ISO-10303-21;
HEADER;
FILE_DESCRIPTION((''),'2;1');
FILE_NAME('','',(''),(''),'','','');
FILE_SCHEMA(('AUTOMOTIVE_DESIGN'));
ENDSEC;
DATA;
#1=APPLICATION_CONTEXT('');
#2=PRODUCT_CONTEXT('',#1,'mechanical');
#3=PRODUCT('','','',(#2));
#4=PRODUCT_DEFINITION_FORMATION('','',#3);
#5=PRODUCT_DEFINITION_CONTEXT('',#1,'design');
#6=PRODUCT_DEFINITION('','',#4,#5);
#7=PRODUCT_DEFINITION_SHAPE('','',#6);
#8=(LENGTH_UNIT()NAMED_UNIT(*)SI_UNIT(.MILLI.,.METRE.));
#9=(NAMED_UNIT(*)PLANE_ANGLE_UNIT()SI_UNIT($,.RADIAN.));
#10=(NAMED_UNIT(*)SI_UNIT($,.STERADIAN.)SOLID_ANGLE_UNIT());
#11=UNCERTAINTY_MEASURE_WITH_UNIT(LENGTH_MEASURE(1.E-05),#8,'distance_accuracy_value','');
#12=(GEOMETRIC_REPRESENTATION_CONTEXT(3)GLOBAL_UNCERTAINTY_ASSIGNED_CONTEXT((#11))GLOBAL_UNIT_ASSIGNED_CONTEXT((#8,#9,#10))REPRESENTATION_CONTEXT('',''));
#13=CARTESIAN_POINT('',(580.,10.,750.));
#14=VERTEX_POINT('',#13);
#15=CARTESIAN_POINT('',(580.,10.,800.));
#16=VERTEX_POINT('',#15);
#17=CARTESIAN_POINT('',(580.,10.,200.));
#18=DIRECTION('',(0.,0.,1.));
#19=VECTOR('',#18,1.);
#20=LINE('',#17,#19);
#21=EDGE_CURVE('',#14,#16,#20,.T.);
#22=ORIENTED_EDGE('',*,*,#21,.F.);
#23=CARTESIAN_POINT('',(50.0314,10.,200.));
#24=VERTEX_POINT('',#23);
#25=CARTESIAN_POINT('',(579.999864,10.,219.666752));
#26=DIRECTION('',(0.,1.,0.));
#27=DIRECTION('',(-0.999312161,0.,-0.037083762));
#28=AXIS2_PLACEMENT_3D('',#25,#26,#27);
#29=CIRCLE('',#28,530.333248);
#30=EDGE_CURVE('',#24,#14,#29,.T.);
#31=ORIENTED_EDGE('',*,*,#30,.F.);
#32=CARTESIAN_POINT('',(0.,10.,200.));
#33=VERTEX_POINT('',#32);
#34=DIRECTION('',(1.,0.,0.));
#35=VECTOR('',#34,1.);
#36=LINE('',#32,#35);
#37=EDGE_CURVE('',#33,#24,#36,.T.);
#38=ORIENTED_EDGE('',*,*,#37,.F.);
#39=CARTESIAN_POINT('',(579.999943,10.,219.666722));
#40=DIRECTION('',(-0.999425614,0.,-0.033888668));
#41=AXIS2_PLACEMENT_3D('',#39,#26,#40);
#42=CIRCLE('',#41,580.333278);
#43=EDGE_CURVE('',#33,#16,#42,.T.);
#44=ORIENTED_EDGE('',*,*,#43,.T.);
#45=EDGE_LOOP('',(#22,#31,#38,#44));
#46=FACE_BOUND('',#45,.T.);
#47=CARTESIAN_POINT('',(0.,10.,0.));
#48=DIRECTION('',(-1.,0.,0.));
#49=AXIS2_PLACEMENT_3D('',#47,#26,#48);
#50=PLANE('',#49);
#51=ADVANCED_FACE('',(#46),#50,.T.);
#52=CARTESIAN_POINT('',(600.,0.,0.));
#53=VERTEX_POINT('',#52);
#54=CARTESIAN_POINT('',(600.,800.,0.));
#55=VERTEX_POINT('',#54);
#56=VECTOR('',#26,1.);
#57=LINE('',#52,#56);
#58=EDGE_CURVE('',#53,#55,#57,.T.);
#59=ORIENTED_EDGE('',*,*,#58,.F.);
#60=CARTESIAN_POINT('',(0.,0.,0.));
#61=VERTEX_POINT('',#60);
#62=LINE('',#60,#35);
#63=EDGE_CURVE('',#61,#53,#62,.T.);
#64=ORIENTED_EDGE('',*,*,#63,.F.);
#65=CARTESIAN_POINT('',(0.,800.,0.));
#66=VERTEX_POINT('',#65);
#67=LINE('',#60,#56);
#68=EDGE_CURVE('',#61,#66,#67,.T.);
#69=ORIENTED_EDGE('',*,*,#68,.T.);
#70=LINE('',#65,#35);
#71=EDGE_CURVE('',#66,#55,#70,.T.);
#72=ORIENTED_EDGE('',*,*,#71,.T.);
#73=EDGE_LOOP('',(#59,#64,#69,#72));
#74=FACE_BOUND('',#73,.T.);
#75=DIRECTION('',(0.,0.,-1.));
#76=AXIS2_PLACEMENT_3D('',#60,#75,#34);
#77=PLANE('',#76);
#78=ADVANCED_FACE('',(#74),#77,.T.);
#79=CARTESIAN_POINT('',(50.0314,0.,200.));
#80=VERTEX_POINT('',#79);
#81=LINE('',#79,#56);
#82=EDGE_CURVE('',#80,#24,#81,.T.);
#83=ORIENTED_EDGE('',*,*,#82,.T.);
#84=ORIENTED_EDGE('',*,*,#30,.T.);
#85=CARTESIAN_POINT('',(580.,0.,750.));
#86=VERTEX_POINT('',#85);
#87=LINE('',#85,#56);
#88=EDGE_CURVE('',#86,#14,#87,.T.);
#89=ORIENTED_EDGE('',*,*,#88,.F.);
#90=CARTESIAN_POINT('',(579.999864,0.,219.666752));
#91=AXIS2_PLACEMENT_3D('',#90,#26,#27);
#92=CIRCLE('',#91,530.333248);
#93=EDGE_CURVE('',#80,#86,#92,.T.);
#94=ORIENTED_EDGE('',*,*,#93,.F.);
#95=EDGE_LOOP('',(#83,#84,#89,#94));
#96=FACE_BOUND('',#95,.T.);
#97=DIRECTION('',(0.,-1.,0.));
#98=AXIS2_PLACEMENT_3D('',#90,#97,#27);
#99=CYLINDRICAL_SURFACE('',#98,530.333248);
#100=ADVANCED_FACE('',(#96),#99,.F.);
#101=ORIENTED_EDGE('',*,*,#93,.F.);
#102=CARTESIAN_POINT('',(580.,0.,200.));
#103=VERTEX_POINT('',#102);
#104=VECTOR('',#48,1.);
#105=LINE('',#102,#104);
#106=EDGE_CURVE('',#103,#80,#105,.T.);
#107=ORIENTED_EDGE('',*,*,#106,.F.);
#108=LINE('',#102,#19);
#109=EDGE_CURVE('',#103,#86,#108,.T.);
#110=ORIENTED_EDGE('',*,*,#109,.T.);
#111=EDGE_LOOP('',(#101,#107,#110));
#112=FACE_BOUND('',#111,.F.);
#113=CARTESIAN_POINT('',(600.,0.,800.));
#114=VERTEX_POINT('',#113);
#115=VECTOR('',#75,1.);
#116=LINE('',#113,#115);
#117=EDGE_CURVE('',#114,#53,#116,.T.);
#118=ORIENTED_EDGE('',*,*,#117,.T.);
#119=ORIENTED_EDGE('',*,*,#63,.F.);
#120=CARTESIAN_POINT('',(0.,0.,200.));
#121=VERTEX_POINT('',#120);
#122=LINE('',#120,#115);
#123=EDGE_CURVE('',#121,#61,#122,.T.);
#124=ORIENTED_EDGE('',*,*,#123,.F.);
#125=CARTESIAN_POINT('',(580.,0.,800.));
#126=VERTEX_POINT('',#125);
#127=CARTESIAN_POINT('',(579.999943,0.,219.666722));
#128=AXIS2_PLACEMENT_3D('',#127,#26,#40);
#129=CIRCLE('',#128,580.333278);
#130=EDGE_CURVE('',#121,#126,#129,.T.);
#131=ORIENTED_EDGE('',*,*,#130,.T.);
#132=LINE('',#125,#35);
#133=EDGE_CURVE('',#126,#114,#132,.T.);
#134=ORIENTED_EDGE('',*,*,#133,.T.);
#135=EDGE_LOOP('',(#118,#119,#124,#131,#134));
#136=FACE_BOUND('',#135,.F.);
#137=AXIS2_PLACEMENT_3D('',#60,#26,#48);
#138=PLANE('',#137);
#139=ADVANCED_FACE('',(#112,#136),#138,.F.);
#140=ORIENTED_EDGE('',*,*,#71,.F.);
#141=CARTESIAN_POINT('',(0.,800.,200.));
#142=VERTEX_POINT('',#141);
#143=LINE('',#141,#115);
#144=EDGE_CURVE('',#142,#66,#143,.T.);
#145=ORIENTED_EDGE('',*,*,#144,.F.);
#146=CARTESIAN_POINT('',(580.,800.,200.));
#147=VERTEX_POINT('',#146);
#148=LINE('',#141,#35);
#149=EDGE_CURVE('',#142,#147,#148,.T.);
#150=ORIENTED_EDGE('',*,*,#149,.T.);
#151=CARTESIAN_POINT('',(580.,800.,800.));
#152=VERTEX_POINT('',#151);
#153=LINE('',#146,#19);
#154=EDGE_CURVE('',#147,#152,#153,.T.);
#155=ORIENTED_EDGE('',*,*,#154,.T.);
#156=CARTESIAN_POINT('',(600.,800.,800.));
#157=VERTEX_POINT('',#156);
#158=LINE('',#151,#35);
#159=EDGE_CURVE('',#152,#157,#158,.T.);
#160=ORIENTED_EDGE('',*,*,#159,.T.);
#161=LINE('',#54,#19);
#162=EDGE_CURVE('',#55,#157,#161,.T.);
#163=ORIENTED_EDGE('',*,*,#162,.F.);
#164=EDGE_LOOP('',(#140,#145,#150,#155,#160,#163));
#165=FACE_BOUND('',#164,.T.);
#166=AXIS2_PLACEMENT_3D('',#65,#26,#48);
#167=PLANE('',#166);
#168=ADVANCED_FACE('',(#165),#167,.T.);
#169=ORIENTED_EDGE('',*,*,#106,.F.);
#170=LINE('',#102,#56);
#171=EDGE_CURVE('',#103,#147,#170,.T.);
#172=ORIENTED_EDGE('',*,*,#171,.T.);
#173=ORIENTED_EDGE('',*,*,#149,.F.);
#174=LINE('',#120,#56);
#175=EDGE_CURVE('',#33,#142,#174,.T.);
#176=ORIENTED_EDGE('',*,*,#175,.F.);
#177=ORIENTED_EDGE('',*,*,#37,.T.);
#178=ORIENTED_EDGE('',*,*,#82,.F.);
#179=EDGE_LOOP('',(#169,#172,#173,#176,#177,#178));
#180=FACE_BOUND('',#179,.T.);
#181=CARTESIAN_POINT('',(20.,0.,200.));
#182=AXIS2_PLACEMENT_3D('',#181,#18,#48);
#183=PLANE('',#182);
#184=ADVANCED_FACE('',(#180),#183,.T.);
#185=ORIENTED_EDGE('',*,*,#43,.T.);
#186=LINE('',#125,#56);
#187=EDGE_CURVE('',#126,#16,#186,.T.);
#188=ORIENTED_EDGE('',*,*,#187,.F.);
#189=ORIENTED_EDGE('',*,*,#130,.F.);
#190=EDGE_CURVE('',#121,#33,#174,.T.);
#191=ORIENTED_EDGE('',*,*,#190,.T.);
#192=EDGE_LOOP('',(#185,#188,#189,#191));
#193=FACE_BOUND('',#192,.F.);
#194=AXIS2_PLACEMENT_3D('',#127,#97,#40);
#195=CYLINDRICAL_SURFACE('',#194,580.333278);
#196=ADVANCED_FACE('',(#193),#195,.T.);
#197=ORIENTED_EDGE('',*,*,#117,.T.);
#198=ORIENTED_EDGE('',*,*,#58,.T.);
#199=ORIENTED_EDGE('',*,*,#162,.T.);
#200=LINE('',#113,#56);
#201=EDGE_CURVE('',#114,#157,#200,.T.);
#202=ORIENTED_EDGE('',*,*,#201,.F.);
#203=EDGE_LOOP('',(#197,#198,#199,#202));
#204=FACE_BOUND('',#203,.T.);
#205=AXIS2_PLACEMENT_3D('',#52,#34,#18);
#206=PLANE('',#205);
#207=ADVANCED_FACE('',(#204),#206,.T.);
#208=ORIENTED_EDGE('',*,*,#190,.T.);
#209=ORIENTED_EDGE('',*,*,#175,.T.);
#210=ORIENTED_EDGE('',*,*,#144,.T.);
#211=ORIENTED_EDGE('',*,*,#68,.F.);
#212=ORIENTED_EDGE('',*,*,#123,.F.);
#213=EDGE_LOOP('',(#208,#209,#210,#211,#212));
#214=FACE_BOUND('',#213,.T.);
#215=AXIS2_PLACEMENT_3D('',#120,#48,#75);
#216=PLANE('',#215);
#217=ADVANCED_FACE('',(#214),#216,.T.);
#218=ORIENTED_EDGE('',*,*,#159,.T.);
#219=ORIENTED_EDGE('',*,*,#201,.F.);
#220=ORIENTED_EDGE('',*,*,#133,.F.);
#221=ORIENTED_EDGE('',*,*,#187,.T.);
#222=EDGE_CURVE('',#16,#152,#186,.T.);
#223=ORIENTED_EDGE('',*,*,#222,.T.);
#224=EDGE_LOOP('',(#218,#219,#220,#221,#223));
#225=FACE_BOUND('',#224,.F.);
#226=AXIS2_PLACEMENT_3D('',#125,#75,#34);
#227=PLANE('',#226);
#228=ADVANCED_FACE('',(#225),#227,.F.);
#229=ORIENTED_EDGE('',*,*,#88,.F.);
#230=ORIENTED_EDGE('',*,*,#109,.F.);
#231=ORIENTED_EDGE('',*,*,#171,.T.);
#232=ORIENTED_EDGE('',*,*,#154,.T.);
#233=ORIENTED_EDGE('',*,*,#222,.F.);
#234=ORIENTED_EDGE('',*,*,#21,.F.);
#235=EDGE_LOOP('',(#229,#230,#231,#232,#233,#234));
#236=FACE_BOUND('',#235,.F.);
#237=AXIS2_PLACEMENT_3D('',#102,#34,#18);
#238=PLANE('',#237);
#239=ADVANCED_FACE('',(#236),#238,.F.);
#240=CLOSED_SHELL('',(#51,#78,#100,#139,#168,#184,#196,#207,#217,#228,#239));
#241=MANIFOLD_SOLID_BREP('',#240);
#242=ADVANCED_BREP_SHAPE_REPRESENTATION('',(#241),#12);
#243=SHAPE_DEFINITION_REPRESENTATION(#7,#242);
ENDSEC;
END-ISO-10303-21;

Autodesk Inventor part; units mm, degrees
ref_plane "YZ Plane" through (0, 0, 0) normal (1, 0, 0) x (0, 1, 0)
ref_plane "XZ Plane" through (0, 0, 0) normal (0, 1, 0) x (-1, 0, 0)
ref_plane "XY Plane" through (0, 0, 0) normal (0, 0, 1) x (1, 0, 0)
sketch "Sketch1" plane through (0, 0, 0) normal (0, 1, 0) x (-1, 0, 0)
  line L0 (0, 0) -> (-600, 0)
  line L1 (-600, 0) -> (-600, 200)
  line L2 (-600, 200) -> (0, 200)
  line L3 (0, 200) -> (0, 0)
  line L4 (0, 200) -> (-20, 200)
  line L5 (-600, 200) -> (-580, 200)
  line L6 (-580, 200) -> (-580, 800)
  line L7 (-580, 800) -> (-600, 800)
  line L8 (-600, 800) -> (-600, 200)
  point P0 (-580, 200)
  dimension "d0" = 600
  dimension "d1" = 200
  dimension "d9" = 600
  dimension "d10" = 20
extrude "Extrusion1" add sketch "Sketch1" along normal blind 800
sketch "Sketch3" plane through (0, 0, 0) normal (0, 1, 0) x (-1, 0, 0)
  line L0 (0, 200) -> (-580, 200) projected
  line L1 (-580, 200) -> (-580, 800) projected
  line L2 (-580, 800) -> (-600, 800) projected
  line L3 (-600, 800) -> (-600, 0) projected
  line L4 (-600, 0) -> (0, 0) projected
  line L5 (0, 0) -> (0, 200) projected
  arc A0 (0, 200) -> (-580, 800) centre (-580, 219.6667) ccw
  arc A1 (-50.0314, 200) -> (-580, 750) centre (-580, 219.6667) ccw
  dimension "d11" = 50
extrude "Extrusion3" add sketch "Sketch3" along normal blind 10 contours L0 A1 L1 A0
equation "\"d9\" = d0"
properties part number "Electrical box 3"
